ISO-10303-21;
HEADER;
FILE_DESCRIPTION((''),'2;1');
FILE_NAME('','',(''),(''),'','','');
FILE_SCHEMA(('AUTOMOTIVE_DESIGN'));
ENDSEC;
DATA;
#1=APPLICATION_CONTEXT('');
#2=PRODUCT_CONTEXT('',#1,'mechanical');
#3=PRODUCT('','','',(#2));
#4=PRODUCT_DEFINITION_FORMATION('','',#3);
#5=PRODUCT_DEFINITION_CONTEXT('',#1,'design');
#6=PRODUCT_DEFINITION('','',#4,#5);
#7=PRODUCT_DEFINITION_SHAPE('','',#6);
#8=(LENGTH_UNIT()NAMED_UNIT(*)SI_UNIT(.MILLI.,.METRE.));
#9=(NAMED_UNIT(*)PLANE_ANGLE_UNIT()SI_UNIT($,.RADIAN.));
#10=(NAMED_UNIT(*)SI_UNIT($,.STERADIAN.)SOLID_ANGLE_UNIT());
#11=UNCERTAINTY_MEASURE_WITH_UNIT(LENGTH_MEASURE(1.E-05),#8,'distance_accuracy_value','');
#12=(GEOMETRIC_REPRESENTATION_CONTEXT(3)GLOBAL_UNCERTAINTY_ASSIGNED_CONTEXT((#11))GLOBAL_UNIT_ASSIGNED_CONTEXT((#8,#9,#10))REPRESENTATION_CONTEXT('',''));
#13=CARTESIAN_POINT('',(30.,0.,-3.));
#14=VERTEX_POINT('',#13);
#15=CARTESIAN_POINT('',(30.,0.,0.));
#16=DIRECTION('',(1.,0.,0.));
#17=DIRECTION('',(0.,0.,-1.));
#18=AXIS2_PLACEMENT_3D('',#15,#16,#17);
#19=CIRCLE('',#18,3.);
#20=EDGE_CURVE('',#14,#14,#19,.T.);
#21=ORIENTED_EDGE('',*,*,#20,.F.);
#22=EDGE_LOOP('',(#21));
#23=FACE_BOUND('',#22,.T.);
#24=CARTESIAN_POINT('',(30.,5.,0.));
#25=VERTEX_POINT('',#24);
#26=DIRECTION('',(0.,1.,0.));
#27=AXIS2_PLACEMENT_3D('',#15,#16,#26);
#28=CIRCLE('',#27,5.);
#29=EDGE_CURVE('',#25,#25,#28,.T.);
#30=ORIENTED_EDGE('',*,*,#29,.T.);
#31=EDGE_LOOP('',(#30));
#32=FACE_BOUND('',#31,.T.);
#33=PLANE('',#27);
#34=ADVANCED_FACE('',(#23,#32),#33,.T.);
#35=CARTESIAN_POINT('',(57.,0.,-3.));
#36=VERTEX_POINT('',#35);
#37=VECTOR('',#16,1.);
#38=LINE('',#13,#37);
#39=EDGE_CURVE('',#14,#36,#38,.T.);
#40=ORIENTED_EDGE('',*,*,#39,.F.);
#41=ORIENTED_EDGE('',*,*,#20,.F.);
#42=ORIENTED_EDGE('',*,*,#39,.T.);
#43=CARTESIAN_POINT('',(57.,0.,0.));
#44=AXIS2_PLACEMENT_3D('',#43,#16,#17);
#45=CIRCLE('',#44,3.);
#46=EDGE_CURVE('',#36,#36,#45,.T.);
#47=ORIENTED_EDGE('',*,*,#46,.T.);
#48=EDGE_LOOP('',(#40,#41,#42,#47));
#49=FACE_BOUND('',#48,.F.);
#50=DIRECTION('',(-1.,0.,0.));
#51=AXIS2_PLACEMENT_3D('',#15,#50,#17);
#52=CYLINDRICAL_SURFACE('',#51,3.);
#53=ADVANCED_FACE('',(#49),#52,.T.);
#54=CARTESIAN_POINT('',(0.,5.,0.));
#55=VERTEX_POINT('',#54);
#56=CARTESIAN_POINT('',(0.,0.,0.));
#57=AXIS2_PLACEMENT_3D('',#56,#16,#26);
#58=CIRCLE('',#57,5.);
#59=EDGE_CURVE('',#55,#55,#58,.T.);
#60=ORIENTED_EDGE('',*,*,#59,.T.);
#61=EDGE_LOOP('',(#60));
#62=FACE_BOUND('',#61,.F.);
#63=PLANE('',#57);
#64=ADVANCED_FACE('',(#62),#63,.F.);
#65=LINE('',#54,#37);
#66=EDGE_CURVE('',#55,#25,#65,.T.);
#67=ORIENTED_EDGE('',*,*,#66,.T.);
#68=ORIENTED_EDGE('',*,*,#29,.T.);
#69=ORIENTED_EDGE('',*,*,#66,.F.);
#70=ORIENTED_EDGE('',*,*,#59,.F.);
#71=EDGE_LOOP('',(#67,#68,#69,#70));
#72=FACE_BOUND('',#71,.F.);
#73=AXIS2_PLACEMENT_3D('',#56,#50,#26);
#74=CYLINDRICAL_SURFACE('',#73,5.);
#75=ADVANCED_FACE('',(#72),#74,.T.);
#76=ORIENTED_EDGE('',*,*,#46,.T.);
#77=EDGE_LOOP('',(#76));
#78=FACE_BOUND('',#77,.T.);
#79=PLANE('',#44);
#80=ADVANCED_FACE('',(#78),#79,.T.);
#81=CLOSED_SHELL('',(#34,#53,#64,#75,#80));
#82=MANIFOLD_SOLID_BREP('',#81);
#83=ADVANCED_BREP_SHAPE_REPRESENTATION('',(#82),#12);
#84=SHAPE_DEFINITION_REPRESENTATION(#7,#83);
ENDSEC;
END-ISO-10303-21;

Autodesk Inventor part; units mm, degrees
ref_plane "YZ Plane" through (0, 0, 0) normal (1, 0, 0) x (0, 1, 0)
ref_plane "XZ Plane" through (0, 0, 0) normal (0, 1, 0) x (-1, 0, 0)
ref_plane "XY Plane" through (0, 0, 0) normal (0, 0, 1) x (1, 0, 0)
sketch "Эскиз1" plane through (0, 0, 0) normal (1, 0, 0) x (0, 1, 0)
  circle A0 centre (0, 0) radius 5
  dimension "d0" = 10
extrude "Выдавливание1" add sketch "Эскиз1" along normal blind 30
sketch "Эскиз2" plane through (30, 0, 0) normal (1, 0, 0) x (0, 0, -1)
  circle A0 centre (0, 0) radius 3
  dimension "d3" = 6
extrude "Выдавливание2" add sketch "Эскиз2" along normal blind 27
properties part number "04-03-Ось"
